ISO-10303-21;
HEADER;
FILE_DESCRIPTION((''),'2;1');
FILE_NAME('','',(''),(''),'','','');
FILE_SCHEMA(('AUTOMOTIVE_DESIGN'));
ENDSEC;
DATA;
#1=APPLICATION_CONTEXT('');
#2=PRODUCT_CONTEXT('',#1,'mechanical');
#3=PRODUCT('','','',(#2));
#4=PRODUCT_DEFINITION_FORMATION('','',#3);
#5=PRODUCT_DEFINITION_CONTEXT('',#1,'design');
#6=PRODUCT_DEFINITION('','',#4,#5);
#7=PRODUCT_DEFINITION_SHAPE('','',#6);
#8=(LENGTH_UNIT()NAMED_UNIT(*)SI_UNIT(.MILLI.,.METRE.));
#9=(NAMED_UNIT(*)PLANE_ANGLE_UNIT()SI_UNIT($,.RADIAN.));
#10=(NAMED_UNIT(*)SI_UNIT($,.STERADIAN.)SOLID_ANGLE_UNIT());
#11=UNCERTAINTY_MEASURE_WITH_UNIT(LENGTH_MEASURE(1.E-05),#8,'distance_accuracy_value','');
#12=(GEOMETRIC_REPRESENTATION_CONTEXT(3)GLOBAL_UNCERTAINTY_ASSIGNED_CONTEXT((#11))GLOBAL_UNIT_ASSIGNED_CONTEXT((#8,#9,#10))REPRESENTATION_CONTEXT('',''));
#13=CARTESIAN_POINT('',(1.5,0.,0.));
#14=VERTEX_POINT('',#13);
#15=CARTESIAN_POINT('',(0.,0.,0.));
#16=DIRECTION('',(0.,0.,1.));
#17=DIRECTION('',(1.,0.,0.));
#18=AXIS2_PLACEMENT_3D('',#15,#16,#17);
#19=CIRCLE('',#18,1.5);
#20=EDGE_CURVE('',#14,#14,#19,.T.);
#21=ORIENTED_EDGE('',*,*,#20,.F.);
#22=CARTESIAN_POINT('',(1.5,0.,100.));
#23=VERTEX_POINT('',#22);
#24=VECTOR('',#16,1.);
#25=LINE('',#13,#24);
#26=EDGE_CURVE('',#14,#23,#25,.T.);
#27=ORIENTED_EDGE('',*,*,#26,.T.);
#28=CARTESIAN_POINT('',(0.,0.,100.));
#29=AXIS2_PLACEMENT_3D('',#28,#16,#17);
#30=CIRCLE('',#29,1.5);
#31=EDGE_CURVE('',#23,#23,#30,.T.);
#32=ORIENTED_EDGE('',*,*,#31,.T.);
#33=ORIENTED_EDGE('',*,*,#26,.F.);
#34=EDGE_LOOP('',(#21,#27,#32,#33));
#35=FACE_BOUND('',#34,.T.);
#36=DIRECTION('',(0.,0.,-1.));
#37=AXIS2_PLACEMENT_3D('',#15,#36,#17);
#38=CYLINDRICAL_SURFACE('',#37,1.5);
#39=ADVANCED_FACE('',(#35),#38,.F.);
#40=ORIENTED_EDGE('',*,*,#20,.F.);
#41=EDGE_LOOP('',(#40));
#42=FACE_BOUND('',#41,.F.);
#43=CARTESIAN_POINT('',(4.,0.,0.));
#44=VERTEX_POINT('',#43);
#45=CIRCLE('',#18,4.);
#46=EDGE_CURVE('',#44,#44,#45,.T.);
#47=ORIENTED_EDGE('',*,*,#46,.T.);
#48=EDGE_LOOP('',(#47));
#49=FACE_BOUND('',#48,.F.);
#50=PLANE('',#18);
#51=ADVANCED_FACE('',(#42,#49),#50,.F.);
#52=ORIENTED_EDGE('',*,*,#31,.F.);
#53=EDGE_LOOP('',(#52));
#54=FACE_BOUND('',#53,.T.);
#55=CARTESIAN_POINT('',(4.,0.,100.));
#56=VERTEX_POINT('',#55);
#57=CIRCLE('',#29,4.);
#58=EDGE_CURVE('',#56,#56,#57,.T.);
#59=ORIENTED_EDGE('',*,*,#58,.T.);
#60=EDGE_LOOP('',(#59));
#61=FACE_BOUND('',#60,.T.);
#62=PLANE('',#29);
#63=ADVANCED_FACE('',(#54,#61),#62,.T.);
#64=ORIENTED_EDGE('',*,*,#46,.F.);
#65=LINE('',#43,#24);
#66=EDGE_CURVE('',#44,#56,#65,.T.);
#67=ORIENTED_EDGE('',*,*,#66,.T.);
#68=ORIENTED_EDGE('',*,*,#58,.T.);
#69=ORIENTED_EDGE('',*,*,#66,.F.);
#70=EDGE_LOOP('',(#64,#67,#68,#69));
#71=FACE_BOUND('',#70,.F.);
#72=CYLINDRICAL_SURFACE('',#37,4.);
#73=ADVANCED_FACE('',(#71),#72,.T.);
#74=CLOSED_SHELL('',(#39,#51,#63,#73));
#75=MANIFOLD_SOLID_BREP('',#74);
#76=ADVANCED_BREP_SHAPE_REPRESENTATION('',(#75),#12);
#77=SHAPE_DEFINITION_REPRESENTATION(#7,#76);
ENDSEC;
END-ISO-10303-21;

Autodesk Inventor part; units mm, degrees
ref_plane "YZ Plane" through (0, 0, 0) normal (1, 0, 0) x (0, 1, 0)
ref_plane "XZ Plane" through (0, 0, 0) normal (0, 1, 0) x (-1, 0, 0)
ref_plane "XY Plane" through (0, 0, 0) normal (0, 0, 1) x (1, 0, 0)
sketch "Эскиз1" plane through (0, 0, 0) normal (0, 0, 1) x (1, 0, 0)
  circle A0 centre (0, 0) radius 4
  circle A1 centre (0, 0) radius 1.5
  dimension "d0" = 8
  dimension "d1" = 3
extrude "Выдавливание1" add sketch "Эскиз1" along normal blind 100
properties part number "Проставка между звеньями"
